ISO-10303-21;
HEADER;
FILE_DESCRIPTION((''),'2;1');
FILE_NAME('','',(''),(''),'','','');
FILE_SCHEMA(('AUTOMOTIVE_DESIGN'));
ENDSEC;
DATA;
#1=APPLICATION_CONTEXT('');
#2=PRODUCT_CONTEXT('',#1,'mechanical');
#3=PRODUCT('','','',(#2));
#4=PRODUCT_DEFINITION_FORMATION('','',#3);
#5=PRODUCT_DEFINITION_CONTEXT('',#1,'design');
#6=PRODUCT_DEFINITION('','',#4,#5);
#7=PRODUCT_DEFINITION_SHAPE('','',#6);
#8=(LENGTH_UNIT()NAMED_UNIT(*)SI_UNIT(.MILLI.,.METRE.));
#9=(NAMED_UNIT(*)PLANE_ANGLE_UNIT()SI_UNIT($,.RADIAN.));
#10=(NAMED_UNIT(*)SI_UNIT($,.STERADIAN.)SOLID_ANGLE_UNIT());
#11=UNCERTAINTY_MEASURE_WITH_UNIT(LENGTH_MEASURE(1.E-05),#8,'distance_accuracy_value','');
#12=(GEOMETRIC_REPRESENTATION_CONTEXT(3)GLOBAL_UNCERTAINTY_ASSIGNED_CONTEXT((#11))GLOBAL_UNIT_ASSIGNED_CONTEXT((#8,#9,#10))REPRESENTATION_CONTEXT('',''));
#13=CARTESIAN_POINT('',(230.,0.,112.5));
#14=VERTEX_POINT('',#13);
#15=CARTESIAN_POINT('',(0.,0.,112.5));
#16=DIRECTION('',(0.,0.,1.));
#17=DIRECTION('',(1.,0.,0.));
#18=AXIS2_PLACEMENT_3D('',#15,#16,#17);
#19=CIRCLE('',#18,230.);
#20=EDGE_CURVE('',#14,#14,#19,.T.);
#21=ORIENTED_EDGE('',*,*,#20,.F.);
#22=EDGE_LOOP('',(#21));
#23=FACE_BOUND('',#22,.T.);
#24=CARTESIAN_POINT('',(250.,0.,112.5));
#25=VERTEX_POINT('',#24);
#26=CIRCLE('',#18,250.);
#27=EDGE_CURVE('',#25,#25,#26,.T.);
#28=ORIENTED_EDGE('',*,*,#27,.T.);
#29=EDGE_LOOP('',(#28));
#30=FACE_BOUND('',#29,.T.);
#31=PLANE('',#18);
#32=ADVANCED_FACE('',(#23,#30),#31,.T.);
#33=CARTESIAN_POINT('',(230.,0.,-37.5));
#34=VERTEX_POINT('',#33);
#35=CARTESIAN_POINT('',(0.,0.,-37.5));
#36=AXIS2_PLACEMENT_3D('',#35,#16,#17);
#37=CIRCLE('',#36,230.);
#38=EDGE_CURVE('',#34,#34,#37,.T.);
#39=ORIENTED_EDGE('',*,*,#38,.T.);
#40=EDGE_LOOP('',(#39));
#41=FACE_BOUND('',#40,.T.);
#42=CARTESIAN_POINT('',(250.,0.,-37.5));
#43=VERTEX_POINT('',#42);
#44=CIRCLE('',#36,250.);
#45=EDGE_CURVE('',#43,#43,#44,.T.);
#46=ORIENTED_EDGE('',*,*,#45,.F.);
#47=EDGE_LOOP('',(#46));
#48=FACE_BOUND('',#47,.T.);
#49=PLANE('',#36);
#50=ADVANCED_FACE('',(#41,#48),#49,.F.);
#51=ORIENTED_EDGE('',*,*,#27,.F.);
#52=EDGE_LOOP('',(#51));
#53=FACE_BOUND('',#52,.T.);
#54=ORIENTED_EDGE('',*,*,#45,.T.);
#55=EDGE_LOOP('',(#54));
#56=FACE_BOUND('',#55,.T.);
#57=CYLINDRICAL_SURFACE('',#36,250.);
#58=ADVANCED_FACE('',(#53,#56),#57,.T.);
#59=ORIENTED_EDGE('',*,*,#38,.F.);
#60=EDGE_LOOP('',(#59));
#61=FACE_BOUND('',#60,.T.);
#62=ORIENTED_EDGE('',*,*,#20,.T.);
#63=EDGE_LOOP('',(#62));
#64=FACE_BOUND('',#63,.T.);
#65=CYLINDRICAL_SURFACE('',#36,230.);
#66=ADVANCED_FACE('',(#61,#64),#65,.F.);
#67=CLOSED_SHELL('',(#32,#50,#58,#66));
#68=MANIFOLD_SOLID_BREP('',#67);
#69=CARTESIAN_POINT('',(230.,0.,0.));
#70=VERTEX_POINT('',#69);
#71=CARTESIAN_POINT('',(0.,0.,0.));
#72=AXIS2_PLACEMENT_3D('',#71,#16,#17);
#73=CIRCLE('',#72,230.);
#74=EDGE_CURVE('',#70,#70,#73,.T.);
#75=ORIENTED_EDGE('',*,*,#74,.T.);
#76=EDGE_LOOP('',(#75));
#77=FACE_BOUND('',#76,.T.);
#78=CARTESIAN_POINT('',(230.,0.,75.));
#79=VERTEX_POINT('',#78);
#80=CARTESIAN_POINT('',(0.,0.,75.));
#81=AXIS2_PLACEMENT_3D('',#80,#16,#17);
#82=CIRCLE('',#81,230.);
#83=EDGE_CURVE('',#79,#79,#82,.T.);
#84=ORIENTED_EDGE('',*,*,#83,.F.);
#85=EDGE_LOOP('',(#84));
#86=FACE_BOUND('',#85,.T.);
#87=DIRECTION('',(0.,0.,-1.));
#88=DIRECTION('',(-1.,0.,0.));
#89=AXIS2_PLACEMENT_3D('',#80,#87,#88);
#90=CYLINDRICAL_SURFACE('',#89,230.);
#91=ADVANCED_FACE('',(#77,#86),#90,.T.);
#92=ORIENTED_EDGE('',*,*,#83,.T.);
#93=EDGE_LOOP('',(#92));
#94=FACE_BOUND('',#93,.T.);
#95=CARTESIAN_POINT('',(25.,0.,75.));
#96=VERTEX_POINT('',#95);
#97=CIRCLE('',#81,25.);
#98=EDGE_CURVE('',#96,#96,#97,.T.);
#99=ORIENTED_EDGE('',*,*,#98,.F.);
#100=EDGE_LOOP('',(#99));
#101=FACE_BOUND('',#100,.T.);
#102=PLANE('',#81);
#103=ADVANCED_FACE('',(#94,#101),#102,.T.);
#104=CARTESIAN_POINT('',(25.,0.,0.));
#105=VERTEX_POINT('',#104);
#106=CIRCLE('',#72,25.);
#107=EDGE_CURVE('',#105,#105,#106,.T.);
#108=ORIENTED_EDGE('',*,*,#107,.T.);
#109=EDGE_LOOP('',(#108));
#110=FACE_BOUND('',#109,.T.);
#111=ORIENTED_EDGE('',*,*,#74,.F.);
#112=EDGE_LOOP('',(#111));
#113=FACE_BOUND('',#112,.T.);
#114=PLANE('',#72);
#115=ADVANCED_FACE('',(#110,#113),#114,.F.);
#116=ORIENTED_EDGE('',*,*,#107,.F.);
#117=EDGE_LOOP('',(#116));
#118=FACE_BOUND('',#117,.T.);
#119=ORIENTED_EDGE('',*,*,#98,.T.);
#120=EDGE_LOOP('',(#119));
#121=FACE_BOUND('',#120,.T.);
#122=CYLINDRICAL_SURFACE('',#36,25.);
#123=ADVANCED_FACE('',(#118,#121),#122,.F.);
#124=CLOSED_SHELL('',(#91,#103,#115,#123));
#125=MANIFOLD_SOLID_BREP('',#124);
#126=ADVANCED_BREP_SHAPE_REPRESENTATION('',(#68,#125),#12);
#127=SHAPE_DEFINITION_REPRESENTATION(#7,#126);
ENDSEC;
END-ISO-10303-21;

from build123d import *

# Parameters (mm, degrees)
SKETCH1_R                = 230
BOSS_EXTRUDE1_DEPTH      = 75
BOSS_EXTRUDE2_DEPTH      = 37.5
BOSS_EXTRUDE2_DEPTH_BACK = 112.5
SKETCH2_R                = 250
SKETCH2_R_2              = 230
SKETCH3_R                = 25
CUT_EXTRUDE1_DEPTH       = 372.020551991


with BuildPart() as part:
    # Sketch1 → Boss-Extrude1 (new body)
    with BuildSketch(Plane.XY):
        Circle(SKETCH1_R)
    extrude(amount=BOSS_EXTRUDE1_DEPTH)

    # Sketch3 → Cut-Extrude1 (cut, through all)
    with BuildSketch(Plane.XY.offset(75)):
        Circle(SKETCH3_R)
    extrude(amount=-CUT_EXTRUDE1_DEPTH, mode=Mode.SUBTRACT)


with BuildPart() as body_2:
    # Sketch2 → Boss-Extrude2 (new, two sides: drawn at the far end of the back side and taken through both)
    with BuildSketch(Plane.XY.offset(75).offset(-BOSS_EXTRUDE2_DEPTH_BACK)):
        Circle(SKETCH2_R)
        Circle(SKETCH2_R_2, mode=Mode.SUBTRACT)
    extrude(amount=BOSS_EXTRUDE2_DEPTH + BOSS_EXTRUDE2_DEPTH_BACK)


solid = Compound([part.part, body_2.part])
